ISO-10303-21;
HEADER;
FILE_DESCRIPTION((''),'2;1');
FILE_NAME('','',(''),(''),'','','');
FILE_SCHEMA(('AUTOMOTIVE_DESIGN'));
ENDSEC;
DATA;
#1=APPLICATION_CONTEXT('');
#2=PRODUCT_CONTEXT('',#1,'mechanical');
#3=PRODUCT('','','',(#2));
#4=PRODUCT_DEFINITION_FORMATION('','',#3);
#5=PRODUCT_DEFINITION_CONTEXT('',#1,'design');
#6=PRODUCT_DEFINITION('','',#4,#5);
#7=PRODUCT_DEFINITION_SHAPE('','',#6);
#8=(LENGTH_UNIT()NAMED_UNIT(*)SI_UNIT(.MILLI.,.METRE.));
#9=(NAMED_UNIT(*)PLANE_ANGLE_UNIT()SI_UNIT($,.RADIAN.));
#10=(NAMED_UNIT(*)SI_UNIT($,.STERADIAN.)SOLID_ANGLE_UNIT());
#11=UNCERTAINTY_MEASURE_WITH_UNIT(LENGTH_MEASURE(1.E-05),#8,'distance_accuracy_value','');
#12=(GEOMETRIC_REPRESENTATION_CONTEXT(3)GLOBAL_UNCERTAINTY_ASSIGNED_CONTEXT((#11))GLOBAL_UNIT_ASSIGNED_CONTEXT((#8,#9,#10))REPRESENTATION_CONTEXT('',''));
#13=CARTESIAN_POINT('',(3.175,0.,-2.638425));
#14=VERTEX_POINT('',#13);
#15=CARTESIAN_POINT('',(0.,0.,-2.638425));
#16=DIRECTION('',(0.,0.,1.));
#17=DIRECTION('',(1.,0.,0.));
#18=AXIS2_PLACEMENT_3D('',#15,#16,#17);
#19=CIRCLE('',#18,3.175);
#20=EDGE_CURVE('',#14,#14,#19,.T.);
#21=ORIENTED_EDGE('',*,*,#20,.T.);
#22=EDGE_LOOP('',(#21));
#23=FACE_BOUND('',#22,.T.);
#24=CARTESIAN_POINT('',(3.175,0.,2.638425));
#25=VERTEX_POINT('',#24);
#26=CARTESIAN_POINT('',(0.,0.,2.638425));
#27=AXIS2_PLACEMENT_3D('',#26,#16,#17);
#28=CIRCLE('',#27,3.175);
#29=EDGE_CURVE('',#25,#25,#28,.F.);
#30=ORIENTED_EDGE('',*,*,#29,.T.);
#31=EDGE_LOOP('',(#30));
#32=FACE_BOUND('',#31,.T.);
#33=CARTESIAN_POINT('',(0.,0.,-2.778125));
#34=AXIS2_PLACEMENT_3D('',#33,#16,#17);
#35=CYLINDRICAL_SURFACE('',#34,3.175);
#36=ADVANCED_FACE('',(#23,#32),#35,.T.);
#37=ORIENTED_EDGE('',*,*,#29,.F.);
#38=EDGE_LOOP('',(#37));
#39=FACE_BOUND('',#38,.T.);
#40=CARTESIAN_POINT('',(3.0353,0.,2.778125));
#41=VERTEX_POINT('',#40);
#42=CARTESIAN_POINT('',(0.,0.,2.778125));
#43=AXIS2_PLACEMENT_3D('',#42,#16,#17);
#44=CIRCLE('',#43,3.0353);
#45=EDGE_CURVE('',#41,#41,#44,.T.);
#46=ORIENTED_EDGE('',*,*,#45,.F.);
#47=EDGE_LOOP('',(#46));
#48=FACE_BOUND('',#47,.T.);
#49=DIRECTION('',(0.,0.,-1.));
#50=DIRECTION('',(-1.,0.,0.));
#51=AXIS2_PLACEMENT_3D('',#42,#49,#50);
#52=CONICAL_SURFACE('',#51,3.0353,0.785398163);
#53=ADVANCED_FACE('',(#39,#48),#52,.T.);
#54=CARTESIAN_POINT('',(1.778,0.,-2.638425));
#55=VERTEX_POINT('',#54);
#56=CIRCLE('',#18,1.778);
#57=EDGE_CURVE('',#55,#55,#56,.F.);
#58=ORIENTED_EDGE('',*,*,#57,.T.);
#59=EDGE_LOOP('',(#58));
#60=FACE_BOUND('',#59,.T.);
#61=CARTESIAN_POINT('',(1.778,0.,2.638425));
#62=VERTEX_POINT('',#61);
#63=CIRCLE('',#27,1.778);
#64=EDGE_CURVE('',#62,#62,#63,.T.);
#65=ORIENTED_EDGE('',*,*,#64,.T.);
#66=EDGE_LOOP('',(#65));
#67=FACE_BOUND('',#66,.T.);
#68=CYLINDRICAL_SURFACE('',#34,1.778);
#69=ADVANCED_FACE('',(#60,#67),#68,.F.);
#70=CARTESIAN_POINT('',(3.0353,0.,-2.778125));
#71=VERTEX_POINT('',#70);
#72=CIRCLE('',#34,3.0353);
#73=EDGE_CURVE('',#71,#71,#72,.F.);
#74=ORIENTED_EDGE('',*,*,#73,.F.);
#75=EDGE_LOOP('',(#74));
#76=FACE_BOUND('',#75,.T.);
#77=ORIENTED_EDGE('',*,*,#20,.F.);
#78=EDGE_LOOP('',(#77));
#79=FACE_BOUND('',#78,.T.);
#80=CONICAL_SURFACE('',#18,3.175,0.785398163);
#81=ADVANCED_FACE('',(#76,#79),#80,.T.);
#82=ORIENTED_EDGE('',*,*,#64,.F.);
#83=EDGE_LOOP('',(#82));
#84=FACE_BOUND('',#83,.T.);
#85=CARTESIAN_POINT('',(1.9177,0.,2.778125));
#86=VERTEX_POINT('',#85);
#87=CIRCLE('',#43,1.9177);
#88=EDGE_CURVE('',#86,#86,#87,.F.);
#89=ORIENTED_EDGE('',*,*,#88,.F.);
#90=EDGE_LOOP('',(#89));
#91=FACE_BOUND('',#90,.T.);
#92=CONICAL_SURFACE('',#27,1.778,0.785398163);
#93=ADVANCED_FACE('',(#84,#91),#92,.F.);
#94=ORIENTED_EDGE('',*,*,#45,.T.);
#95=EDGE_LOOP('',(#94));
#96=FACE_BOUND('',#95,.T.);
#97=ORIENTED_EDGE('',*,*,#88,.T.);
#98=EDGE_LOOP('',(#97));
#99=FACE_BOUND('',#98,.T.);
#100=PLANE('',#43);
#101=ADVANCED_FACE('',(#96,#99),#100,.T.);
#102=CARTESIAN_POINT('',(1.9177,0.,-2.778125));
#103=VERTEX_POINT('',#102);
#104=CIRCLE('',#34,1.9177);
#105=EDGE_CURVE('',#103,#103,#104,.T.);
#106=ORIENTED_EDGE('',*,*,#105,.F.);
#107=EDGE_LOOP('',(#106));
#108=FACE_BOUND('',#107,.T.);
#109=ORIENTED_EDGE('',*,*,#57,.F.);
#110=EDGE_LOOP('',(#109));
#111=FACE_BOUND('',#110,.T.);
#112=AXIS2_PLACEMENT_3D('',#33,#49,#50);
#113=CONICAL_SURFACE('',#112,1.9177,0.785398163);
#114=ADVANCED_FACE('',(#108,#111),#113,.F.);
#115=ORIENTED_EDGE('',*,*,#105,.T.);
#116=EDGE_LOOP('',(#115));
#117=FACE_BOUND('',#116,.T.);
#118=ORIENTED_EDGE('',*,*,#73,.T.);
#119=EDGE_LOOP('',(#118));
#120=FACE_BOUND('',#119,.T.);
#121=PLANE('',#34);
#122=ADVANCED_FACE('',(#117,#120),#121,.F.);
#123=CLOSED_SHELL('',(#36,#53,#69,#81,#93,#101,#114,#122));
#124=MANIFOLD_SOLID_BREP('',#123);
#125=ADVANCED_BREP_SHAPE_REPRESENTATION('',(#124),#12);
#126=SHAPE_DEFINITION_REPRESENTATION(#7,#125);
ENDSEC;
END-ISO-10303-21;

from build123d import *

# Parameters (mm, degrees)
BOSS_EXTRUDE1_DEPTH      = 2.778125
BOSS_EXTRUDE1_DEPTH_BACK = 2.778125
SKETCH3_R                = 3.175
SKETCH3_R_2              = 1.778
CHAMFER1_SIZE            = 0.1397


with BuildPart() as part:
    # Sketch3 → Boss-Extrude1 (new, two sides: drawn at the far end of the back side and taken through both)
    with BuildSketch(Plane.XY.offset(-BOSS_EXTRUDE1_DEPTH_BACK)):
        Circle(SKETCH3_R)
        Circle(SKETCH3_R_2, mode=Mode.SUBTRACT)
    extrude(amount=BOSS_EXTRUDE1_DEPTH + BOSS_EXTRUDE1_DEPTH_BACK)

    # Chamfer1
    chamfer1_edges = [part.edges().sort_by_distance(p)[0] for p in [
        (-3.175, 0, -2.778125),
        (-1.778, 0, -2.778125),
        (-3.175, 0, 2.778125),
        (-1.778, 0, 2.778125),
    ]]
    chamfer(chamfer1_edges, length=CHAMFER1_SIZE)


solid = part.part
